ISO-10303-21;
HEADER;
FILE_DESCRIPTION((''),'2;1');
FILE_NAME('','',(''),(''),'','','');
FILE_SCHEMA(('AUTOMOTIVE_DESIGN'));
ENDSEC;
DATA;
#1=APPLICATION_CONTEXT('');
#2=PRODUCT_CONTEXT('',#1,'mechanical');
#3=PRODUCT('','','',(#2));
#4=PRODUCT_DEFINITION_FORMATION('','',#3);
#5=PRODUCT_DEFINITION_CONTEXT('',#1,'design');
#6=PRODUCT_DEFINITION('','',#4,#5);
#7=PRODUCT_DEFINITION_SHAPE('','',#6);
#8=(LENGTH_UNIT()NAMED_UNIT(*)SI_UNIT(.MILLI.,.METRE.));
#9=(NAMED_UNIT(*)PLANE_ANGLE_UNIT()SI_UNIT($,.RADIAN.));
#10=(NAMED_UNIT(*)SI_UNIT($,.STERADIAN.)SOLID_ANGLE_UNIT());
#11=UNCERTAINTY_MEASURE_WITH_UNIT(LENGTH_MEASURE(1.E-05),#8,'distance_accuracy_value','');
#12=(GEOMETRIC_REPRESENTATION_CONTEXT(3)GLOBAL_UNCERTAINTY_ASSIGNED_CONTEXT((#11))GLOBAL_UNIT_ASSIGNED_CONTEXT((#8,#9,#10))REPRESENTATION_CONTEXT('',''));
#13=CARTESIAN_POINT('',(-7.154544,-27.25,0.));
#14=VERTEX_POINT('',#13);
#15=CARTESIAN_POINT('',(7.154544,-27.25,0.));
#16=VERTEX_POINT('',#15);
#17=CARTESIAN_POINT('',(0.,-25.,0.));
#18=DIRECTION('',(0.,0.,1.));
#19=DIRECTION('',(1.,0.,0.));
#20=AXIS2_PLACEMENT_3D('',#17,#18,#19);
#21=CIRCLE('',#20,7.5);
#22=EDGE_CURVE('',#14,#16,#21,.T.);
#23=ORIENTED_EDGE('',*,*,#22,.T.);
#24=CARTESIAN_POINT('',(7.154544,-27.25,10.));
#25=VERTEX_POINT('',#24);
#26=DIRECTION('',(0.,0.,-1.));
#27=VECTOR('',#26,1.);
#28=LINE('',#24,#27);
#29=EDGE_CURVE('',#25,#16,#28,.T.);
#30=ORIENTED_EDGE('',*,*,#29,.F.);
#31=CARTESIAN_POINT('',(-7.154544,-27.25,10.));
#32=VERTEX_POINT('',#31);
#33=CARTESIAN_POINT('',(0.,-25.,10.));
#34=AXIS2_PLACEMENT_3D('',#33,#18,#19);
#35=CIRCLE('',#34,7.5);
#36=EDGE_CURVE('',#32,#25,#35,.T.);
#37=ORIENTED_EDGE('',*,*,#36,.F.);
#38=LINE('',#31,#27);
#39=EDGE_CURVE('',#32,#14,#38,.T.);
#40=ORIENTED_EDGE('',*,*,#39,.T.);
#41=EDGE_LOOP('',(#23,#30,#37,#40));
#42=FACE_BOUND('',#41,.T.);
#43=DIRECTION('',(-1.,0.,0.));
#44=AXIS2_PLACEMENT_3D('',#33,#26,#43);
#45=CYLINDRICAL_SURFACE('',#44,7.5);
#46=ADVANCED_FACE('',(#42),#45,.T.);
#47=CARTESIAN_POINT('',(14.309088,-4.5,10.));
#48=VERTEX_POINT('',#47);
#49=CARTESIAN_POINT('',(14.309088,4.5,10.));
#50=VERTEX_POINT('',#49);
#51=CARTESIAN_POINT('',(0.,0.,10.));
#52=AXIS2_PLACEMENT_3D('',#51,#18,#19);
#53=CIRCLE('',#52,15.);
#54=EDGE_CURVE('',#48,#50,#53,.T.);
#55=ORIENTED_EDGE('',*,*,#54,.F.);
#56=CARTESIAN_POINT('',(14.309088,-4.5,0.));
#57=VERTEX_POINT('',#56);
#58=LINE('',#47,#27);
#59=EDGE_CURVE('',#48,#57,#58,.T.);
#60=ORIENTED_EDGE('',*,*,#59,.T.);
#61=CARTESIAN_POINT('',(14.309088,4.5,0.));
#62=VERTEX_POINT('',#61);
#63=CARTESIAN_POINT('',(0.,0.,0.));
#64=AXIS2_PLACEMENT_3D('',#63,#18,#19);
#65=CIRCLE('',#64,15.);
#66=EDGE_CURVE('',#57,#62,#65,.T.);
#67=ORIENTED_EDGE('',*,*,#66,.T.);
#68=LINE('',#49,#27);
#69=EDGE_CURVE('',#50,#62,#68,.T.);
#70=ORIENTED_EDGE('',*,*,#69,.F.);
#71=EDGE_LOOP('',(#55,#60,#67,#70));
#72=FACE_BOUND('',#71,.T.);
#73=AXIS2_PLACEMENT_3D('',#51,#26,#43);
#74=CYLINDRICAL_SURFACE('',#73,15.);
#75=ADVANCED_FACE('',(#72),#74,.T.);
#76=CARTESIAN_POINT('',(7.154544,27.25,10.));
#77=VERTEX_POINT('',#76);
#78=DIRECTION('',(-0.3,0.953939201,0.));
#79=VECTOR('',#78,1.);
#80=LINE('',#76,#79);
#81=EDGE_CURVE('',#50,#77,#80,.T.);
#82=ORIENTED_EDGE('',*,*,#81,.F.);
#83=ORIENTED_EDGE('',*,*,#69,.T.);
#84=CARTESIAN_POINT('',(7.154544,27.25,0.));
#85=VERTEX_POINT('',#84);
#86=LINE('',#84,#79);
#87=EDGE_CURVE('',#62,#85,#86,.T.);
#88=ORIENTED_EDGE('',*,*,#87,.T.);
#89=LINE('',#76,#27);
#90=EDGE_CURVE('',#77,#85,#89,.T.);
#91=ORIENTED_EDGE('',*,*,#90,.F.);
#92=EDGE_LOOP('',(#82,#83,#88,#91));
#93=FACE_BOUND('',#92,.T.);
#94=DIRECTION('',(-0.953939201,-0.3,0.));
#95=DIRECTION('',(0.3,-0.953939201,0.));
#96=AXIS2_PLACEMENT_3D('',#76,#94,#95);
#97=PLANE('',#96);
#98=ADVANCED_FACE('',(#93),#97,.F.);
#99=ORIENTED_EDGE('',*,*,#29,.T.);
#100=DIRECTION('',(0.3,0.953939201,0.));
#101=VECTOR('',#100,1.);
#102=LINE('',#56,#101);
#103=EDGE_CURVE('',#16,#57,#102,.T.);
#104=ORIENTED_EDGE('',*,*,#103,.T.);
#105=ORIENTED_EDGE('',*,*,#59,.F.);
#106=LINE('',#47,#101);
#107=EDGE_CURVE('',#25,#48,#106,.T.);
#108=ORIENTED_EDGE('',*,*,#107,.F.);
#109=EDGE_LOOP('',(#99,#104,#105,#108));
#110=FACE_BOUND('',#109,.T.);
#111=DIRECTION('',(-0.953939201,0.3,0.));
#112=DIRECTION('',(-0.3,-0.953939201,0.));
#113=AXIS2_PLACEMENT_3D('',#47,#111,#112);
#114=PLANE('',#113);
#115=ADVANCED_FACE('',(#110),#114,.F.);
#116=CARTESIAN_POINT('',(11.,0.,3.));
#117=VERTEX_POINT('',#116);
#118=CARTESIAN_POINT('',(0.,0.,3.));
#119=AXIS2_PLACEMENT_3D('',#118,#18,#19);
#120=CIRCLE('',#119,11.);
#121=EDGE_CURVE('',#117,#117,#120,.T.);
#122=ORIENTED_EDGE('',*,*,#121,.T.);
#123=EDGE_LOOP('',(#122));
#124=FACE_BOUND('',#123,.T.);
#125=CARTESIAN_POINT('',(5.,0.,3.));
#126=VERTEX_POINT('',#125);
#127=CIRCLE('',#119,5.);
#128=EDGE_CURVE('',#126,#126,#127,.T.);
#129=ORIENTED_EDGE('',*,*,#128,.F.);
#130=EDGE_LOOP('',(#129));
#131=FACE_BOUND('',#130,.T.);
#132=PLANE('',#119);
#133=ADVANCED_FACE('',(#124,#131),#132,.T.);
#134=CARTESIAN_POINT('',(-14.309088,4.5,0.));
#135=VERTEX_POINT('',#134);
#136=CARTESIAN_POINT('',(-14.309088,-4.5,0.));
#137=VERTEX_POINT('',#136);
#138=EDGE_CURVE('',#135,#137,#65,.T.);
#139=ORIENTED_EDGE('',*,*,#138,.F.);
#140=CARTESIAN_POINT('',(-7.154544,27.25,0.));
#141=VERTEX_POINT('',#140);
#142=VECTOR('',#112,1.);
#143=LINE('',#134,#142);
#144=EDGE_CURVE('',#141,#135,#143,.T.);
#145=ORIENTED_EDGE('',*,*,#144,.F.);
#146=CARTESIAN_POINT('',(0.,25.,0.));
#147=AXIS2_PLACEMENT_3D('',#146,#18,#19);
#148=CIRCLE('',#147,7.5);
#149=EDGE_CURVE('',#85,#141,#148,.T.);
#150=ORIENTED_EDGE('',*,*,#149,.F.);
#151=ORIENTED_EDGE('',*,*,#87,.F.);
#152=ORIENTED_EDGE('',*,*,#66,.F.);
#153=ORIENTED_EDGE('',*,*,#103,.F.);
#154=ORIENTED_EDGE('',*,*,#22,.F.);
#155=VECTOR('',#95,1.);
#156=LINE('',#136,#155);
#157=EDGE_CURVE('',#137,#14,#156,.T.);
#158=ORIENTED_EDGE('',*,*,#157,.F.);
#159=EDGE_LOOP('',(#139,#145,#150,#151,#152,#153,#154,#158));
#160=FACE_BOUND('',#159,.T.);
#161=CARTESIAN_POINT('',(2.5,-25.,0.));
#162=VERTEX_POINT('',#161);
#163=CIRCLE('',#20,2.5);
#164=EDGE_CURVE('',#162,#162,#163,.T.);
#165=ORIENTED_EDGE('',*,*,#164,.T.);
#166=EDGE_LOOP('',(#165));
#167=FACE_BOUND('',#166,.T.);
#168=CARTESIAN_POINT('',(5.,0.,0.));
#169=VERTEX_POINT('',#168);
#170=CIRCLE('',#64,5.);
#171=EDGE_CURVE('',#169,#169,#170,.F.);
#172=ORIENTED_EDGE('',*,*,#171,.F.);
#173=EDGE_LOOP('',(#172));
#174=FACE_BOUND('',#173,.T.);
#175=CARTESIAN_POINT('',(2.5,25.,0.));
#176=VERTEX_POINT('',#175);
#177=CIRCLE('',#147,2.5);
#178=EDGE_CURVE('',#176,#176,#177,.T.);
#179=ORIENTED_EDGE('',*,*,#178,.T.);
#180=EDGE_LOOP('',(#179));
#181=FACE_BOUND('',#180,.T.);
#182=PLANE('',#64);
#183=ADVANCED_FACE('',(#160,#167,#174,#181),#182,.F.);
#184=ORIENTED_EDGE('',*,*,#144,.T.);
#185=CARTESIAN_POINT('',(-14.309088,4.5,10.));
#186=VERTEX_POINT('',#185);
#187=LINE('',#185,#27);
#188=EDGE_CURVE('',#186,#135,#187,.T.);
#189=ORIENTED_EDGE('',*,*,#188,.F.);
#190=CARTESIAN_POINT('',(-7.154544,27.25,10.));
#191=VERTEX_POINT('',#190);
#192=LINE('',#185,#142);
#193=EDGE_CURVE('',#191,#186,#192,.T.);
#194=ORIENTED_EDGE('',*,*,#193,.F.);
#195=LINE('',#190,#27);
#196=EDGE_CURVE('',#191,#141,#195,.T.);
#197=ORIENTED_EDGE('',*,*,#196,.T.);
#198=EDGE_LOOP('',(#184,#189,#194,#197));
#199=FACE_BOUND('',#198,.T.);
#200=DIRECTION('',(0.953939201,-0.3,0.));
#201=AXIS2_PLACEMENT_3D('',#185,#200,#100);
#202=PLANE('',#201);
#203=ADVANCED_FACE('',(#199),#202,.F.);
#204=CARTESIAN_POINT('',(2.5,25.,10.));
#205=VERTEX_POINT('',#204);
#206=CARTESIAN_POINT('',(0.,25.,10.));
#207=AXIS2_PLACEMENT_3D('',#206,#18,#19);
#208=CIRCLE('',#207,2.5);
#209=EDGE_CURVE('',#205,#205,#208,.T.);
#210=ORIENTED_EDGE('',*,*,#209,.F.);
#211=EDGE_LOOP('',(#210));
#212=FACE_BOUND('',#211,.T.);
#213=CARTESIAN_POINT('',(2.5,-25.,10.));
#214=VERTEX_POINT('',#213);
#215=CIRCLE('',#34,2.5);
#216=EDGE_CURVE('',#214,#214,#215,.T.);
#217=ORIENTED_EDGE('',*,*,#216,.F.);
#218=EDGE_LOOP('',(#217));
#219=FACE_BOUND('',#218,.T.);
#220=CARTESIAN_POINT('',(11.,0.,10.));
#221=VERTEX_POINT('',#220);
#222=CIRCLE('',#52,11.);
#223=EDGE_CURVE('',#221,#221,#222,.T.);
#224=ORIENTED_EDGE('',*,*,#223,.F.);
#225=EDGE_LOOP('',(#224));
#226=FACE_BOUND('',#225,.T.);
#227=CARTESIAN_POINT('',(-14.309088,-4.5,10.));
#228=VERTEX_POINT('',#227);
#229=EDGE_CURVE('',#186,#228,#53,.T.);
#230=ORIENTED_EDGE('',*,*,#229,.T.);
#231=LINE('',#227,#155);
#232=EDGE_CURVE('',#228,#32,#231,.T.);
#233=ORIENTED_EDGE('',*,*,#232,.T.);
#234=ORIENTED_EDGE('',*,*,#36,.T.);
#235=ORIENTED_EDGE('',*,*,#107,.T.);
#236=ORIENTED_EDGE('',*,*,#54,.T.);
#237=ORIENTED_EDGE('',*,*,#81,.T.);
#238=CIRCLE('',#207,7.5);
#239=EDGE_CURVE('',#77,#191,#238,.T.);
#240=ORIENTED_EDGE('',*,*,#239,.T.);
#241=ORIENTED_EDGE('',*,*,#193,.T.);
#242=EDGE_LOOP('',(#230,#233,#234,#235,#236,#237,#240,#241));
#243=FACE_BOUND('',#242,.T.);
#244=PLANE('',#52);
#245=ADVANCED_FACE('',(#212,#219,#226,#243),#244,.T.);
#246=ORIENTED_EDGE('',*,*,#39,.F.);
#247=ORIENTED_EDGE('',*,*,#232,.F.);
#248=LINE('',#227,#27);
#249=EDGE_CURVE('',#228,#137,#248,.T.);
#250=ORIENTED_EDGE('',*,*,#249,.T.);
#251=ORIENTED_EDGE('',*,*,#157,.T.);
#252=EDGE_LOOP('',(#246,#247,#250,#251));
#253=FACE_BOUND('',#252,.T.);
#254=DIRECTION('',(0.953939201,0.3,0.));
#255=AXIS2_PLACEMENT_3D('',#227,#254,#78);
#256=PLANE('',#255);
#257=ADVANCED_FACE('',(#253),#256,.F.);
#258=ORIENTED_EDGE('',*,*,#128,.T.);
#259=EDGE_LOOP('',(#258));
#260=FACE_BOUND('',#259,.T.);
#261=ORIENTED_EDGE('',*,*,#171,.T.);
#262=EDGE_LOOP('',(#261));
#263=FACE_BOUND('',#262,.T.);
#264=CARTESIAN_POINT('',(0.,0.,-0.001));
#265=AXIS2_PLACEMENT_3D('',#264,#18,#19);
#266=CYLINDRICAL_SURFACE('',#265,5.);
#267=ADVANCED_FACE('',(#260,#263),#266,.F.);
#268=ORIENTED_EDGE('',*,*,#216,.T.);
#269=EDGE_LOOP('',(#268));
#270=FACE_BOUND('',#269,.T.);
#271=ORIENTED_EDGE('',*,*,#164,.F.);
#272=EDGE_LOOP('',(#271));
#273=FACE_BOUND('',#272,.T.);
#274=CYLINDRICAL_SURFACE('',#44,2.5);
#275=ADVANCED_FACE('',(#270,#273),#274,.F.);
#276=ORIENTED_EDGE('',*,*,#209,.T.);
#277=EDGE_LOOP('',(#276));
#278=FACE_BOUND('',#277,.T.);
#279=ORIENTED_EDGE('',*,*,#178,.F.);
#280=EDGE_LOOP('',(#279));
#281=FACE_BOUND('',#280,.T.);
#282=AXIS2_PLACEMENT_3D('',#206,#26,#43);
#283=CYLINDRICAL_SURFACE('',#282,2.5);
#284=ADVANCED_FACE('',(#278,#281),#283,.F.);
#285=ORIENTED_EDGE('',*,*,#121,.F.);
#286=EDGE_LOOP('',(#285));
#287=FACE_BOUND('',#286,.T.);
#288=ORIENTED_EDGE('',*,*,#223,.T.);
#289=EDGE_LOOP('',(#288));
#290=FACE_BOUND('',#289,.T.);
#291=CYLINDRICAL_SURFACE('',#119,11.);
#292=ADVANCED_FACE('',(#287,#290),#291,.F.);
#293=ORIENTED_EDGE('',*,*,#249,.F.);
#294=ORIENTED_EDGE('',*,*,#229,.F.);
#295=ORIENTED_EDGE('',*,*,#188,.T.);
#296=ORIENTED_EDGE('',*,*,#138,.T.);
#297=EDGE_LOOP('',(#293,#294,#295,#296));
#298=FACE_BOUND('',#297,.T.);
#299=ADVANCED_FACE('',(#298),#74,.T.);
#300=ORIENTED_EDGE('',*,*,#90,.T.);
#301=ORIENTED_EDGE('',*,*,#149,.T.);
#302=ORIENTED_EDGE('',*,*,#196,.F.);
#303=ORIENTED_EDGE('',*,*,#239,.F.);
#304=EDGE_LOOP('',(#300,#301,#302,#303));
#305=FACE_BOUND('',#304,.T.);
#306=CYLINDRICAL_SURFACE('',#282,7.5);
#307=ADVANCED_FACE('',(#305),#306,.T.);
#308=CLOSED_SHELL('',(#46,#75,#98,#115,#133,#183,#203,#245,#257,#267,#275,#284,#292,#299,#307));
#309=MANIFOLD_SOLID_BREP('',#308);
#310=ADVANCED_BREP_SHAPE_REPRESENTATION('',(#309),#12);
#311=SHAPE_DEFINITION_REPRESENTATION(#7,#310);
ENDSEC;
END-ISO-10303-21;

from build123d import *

# Parameters (mm, degrees)
SKETCH_1_R          = 2.5
EXTRUDE_1_DEPTH     = 10
SKETCH_2_R          = 11
CUT_EXTRUDE_1_DEPTH = 7
CUT_EXTRUDE_2_REACH = 5
SKETCH_3_R          = 5


with BuildPart() as part:
    # Эскиз1 → Бобышка-Вытянуть1 (new body)
    with BuildSketch(Plane.XY):
        with BuildLine():
            Line((-14.309088021, 4.5), (-7.154544011, 27.25))
            ThreePointArc((-7.154544011, 27.25), (0, 32.5), (7.154544011, 27.25))
            Line((7.154544011, 27.25), (14.309088021, 4.5))
            ThreePointArc((14.309088021, 4.5), (15, 0), (14.309088021, -4.5))
            Line((14.309088021, -4.5), (7.154544011, -27.25))
            ThreePointArc((7.154544011, -27.25), (0, -32.5), (-7.154544011, -27.25))
            Line((-7.154544011, -27.25), (-14.309088021, -4.5))
            ThreePointArc((-14.309088021, -4.5), (-15, 0), (-14.309088021, 4.5))
        make_face()
        with Locations((0, 25)):
            Circle(SKETCH_1_R, mode=Mode.SUBTRACT)
        with Locations((0, -25)):
            Circle(SKETCH_1_R, mode=Mode.SUBTRACT)
    extrude(amount=EXTRUDE_1_DEPTH)

    # Эскиз2 → Вырез-Вытянуть1 (cut)
    with BuildSketch(Plane.XY.offset(10)):
        Circle(SKETCH_2_R)
    extrude(amount=-CUT_EXTRUDE_1_DEPTH, mode=Mode.SUBTRACT)

    # Эскиз3 → Вырез-Вытянуть2 (cut, up to next)
    with BuildSketch(Plane.XY.offset(3), mode=Mode.PRIVATE) as cut_extrude_2_sk1:
        Circle(SKETCH_3_R)
    cut_extrude_2_tool1 = extrude(cut_extrude_2_sk1.sketch, amount=-CUT_EXTRUDE_2_REACH, mode=Mode.PRIVATE) & part.part
    add(cut_extrude_2_tool1.solids().sort_by_distance((0, 0, 3))[0], mode=Mode.SUBTRACT)


solid = part.part
